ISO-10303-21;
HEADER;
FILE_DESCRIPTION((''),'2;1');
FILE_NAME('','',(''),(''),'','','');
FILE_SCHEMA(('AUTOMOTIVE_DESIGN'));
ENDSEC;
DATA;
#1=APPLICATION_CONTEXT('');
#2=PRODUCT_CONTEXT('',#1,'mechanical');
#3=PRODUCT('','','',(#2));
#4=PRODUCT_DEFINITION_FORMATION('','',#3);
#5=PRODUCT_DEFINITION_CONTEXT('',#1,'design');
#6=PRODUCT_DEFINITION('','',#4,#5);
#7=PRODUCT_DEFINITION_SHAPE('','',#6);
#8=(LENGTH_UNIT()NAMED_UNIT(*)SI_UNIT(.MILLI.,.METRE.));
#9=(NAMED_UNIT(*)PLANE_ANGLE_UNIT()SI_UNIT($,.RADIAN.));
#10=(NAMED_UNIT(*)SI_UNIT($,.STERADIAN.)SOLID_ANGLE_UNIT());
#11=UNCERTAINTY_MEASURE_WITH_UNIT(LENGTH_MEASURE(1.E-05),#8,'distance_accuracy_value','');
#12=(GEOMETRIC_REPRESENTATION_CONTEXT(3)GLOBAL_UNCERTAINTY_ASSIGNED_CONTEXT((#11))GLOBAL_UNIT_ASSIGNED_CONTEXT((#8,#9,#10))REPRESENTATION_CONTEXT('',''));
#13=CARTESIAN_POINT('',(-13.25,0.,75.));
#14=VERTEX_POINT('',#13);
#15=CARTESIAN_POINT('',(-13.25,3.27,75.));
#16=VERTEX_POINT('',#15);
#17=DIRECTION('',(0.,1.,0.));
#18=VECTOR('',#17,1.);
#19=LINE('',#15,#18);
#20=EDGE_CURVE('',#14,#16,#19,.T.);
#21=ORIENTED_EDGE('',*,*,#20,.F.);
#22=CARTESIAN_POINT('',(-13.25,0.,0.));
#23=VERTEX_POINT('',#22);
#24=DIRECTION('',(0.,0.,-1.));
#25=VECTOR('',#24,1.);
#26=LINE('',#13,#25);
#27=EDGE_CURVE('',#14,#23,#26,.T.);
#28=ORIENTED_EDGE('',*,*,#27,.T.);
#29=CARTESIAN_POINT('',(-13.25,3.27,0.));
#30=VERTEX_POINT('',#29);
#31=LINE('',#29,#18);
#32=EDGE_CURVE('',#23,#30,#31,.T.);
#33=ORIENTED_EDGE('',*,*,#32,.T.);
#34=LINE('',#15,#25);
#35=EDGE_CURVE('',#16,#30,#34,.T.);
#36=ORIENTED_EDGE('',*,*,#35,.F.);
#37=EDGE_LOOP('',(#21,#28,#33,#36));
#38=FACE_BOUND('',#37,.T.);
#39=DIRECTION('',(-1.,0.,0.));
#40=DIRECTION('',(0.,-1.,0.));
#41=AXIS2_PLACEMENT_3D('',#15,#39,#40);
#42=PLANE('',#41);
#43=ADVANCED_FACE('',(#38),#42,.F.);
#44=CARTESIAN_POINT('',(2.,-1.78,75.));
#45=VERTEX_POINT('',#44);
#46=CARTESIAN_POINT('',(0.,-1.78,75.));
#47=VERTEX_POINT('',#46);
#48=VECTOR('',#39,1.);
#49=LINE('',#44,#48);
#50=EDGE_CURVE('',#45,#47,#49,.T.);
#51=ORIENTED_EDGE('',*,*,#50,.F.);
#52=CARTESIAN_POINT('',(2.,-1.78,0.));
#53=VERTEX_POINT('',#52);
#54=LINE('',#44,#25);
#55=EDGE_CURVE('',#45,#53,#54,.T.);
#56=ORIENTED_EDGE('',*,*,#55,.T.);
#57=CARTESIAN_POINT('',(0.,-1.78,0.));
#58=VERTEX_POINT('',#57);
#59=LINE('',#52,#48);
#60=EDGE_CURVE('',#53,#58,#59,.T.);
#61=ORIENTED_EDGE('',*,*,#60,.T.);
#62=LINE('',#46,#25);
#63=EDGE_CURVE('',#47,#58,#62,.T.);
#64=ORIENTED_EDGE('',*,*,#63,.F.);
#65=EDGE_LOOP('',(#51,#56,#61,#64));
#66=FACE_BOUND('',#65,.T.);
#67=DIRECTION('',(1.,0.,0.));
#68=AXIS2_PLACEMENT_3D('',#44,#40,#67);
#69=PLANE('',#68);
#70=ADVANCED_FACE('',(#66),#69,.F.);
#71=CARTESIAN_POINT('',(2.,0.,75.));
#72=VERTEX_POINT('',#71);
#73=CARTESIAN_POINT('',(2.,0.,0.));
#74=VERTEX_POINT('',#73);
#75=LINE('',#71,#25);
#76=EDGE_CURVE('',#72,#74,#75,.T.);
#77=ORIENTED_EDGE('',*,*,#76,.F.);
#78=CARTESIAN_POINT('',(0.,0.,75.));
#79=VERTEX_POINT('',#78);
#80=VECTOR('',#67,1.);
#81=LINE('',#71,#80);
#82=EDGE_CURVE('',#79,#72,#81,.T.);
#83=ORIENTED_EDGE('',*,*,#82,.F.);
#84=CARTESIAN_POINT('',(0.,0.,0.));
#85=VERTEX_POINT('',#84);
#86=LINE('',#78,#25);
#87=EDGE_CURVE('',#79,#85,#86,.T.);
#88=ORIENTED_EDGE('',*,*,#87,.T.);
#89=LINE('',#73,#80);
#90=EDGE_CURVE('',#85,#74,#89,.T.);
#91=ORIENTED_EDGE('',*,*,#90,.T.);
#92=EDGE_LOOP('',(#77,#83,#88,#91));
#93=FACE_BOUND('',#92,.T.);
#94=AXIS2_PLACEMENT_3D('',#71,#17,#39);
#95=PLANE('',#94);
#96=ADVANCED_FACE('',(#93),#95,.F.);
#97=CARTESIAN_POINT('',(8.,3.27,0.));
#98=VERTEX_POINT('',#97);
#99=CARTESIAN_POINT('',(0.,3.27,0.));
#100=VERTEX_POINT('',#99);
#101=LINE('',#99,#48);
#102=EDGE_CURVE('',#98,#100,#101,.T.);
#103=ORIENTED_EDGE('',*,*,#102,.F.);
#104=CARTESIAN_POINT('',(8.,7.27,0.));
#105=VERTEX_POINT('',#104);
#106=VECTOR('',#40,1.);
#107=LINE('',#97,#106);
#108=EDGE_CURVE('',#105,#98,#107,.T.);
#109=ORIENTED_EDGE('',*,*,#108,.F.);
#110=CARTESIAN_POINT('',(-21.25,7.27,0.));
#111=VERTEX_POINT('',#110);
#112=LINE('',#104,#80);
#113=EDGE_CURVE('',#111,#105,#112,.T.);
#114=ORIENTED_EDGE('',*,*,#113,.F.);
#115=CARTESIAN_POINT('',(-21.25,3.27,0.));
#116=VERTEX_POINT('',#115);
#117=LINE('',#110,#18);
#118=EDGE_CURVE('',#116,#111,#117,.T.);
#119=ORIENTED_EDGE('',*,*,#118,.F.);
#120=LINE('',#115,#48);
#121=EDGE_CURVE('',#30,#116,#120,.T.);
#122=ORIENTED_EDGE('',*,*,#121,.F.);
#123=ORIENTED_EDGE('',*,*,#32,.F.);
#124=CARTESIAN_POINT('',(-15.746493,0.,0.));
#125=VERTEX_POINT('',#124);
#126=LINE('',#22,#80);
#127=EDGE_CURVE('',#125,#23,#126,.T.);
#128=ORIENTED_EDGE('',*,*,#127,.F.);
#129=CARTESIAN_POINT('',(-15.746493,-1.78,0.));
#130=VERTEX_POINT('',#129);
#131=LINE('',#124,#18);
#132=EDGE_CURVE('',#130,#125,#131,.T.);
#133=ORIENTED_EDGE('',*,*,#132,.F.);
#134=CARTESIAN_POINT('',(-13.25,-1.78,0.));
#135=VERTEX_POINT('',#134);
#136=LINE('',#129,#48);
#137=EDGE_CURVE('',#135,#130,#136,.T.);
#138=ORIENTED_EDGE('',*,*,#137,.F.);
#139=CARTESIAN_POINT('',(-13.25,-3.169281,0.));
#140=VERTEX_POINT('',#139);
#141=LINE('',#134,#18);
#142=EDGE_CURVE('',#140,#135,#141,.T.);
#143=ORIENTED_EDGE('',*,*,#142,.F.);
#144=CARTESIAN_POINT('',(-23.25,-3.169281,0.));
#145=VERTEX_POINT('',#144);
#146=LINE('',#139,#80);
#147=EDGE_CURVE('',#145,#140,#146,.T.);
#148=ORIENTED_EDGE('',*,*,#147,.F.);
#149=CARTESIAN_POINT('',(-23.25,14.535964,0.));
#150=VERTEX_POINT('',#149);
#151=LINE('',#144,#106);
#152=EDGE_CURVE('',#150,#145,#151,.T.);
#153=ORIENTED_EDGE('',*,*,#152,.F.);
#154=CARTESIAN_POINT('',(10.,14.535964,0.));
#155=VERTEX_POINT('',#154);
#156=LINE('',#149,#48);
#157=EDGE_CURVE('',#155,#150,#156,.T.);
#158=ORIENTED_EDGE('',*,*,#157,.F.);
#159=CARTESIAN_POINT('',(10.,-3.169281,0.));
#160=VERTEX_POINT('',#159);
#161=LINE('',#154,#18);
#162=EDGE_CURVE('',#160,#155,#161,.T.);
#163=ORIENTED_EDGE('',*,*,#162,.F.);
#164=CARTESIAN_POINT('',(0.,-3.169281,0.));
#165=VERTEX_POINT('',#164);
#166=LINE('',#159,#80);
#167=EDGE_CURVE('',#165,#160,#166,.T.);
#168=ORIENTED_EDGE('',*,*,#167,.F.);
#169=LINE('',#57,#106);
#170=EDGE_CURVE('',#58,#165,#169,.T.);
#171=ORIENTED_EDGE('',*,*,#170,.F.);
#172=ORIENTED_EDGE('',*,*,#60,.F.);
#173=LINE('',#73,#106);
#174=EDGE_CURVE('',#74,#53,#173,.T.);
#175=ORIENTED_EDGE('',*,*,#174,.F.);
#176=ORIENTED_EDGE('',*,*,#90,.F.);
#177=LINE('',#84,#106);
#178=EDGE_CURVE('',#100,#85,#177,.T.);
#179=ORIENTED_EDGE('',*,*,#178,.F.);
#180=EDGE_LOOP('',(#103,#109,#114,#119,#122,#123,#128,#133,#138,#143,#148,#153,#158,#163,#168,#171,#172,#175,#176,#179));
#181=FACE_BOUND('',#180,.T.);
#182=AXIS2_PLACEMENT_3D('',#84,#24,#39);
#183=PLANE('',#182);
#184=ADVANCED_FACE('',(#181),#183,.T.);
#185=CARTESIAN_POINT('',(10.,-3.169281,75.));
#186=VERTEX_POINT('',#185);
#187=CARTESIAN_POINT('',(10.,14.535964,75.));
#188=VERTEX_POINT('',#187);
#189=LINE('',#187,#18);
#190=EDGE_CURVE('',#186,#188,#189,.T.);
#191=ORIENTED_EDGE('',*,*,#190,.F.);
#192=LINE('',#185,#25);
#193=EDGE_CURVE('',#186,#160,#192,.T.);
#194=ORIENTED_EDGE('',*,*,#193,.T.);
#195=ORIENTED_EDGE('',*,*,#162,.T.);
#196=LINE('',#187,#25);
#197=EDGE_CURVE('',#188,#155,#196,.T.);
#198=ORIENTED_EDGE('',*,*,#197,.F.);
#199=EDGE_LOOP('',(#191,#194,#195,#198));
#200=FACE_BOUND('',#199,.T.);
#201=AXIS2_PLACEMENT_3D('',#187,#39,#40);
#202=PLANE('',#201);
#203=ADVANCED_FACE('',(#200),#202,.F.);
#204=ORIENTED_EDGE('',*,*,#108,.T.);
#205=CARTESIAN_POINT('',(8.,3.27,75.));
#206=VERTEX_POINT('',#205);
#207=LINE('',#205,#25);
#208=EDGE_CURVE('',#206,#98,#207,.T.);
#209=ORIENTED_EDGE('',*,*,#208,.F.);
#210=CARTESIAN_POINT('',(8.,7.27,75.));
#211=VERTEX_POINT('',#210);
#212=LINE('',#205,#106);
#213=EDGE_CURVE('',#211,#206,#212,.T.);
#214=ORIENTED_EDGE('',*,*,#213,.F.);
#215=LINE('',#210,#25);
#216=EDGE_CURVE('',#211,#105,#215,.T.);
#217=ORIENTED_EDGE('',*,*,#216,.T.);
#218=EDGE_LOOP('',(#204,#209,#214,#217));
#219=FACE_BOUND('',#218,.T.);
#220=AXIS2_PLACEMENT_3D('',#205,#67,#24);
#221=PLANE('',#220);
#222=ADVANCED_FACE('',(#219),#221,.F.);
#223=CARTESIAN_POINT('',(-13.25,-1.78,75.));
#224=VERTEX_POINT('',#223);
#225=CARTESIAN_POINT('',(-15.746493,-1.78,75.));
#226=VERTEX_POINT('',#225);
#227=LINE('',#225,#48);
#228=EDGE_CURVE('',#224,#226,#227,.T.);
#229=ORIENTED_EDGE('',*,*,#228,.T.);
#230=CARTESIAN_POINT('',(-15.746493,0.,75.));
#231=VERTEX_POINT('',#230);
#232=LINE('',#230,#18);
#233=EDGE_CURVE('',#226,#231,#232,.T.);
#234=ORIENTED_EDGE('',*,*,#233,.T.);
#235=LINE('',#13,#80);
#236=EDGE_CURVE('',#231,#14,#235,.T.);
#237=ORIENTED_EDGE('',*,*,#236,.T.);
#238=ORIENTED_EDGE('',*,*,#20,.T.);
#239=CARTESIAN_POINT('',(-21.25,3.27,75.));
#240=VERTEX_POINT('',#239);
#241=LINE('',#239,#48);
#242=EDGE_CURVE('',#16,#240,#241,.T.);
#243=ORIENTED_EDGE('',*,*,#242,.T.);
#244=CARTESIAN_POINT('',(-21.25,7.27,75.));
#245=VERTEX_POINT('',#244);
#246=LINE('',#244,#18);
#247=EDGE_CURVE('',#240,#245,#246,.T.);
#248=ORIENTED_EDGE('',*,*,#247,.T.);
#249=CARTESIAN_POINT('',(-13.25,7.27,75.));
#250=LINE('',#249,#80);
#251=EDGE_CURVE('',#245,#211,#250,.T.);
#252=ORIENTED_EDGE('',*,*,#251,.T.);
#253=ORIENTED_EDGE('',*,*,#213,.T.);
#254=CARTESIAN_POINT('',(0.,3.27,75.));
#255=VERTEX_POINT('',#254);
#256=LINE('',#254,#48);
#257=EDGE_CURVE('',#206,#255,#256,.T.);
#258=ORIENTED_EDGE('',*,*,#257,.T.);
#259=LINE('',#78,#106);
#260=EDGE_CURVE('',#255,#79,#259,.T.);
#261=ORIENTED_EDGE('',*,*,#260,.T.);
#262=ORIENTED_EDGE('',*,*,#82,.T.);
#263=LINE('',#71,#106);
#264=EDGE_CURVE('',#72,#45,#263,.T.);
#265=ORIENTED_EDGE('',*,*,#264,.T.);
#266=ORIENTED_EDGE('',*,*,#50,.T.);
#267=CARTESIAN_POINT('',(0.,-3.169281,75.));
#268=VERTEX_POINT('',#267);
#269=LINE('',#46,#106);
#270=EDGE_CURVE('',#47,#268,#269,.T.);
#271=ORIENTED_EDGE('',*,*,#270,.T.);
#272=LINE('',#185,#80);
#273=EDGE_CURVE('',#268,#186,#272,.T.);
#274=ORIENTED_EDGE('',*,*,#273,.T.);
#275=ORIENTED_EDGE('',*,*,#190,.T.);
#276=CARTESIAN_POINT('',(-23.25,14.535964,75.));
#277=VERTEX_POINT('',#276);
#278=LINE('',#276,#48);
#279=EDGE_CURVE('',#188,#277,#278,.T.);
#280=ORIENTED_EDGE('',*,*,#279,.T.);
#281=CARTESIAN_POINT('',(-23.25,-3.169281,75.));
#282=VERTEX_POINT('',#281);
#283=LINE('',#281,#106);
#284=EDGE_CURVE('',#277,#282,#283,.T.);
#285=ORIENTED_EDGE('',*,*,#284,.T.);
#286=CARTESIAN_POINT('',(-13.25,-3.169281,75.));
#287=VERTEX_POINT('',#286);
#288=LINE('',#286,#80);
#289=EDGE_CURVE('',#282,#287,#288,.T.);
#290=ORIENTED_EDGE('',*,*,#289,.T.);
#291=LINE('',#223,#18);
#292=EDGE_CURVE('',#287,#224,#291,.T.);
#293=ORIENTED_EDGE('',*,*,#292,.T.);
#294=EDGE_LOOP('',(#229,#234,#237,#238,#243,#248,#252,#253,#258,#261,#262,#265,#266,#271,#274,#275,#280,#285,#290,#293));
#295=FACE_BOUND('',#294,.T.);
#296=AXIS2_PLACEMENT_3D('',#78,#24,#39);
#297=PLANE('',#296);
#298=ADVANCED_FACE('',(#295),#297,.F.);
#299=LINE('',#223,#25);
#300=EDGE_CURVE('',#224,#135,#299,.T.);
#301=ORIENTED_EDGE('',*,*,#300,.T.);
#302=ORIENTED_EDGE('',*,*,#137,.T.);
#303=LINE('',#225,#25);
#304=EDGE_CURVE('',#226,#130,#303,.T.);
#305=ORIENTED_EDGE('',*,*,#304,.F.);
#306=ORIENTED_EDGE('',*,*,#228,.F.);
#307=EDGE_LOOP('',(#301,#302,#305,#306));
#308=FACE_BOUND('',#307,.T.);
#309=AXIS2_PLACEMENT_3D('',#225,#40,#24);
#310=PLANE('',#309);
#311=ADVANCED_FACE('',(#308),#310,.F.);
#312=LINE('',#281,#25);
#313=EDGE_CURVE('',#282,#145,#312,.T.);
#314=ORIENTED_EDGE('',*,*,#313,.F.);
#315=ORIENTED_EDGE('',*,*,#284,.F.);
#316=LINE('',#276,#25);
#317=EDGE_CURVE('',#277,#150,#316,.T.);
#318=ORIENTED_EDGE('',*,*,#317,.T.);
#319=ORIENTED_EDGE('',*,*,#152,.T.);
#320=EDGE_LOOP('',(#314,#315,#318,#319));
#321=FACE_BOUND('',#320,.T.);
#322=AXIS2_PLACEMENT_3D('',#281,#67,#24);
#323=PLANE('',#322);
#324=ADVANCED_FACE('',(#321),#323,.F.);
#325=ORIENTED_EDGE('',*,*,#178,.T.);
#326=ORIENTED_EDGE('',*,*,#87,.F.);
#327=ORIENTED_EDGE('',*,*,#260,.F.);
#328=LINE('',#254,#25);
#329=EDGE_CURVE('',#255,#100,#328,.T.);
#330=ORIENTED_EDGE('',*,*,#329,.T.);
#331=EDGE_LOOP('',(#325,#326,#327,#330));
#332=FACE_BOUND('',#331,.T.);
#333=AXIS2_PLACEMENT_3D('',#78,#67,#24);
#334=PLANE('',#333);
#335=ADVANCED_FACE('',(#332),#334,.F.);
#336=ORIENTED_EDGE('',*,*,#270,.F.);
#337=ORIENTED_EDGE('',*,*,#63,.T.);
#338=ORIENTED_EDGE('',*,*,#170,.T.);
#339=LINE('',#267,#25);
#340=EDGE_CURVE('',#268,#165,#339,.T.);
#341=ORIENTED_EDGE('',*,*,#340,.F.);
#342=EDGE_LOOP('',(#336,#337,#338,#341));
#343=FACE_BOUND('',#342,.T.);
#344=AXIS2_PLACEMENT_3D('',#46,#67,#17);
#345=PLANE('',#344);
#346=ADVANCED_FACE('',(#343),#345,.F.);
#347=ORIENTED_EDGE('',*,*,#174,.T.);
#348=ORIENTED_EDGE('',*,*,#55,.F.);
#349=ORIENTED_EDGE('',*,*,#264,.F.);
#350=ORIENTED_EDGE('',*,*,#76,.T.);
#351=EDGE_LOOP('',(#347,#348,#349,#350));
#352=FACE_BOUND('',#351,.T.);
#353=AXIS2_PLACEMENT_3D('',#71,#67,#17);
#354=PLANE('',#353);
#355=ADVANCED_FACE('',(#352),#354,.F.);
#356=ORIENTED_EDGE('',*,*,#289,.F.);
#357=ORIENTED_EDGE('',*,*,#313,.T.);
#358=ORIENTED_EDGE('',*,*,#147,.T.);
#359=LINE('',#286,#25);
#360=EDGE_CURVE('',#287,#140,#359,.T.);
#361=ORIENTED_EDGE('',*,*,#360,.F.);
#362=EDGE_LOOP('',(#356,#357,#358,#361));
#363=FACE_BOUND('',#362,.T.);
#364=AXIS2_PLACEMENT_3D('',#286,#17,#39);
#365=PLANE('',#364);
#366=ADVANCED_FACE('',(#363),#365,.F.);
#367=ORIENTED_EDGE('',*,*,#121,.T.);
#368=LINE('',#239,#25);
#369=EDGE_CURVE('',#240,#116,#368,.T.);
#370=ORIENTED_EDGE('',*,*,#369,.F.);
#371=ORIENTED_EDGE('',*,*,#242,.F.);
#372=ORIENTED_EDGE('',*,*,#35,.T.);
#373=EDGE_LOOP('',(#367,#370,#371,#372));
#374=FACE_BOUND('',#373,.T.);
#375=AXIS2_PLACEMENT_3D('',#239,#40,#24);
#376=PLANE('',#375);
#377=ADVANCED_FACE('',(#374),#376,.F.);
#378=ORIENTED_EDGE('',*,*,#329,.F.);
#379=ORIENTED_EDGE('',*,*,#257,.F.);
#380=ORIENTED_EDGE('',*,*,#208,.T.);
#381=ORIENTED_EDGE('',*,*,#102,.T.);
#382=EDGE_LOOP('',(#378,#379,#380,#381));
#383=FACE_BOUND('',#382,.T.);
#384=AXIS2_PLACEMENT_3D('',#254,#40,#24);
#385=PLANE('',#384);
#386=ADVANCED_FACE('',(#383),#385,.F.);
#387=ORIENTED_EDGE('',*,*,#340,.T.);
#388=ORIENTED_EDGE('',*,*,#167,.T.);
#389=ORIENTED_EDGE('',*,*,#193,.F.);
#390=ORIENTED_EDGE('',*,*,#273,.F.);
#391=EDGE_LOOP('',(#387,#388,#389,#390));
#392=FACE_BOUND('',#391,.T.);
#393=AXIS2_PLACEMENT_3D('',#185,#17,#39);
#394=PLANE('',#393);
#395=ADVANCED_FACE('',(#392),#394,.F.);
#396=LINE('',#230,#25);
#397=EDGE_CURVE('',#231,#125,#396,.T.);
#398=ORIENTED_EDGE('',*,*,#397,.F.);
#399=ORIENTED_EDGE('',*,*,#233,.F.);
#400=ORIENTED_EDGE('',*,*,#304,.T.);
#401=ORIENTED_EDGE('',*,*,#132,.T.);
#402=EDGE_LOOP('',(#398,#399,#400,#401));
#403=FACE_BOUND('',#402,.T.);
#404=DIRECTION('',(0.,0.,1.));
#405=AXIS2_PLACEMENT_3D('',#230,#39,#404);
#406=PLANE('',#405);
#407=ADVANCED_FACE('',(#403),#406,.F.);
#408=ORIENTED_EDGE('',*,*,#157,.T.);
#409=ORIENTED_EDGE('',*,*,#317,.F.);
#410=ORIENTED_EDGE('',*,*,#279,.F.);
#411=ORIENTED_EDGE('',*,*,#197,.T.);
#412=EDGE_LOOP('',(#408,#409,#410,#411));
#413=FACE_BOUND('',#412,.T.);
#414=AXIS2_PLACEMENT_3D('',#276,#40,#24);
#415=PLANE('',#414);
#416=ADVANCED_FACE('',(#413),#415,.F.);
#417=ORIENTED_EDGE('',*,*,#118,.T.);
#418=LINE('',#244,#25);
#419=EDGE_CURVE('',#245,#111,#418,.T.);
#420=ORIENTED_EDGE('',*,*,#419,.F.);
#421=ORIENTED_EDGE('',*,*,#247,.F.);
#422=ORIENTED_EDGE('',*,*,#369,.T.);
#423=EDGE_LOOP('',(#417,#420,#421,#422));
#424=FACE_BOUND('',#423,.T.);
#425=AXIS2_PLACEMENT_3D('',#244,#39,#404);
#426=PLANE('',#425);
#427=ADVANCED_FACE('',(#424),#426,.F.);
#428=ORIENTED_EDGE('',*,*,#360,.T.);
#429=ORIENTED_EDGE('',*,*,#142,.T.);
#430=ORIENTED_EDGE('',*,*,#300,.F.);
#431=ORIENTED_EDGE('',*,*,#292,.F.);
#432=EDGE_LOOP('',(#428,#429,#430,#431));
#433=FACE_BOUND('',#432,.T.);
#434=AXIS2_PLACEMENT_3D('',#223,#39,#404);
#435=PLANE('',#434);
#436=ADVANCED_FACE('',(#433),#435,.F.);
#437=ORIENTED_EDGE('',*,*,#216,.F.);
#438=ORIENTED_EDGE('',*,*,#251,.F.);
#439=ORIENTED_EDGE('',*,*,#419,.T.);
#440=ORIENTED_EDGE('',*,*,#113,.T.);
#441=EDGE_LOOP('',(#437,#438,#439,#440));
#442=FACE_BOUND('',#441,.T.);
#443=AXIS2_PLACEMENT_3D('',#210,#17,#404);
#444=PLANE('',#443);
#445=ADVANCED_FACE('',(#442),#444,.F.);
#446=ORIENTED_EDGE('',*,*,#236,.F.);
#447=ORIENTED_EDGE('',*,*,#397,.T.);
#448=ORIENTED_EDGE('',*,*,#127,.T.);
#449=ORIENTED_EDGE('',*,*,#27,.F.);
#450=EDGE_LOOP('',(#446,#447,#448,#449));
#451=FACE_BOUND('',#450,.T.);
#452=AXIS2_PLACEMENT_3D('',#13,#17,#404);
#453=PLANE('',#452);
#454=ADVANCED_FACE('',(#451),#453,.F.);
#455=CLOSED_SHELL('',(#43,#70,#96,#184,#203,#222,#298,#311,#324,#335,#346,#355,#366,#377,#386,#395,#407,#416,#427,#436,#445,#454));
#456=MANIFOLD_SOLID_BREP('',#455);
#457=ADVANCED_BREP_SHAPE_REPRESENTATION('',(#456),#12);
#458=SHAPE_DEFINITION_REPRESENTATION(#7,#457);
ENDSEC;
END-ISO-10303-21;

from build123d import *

# Parameters (mm, degrees)
BOSS_EXTRUDE1_DEPTH = 75


with BuildPart() as part:
    # Sketch1 → Boss-Extrude1 (new body)
    with BuildSketch(Plane.XY):
        Polygon((-23.25, 14.535963966), (10, 14.535963966), (10, -3.1692809), (0, -3.1692809), (0, -1.78), (2, -1.78), (2, 0), (0, 0), (0, 3.27), (8, 3.27), (8, 7.27), (0, 7.27), (-13.25, 7.27), (-21.25, 7.27), (-21.25, 3.27), (-13.25, 3.27), (-13.25, 0), (-15.746492611, 0), (-15.746492611, -1.78), (-13.25, -1.78), (-13.25, -3.1692809), (-23.25, -3.1692809), align=None)
    extrude(amount=BOSS_EXTRUDE1_DEPTH)


solid = part.part
